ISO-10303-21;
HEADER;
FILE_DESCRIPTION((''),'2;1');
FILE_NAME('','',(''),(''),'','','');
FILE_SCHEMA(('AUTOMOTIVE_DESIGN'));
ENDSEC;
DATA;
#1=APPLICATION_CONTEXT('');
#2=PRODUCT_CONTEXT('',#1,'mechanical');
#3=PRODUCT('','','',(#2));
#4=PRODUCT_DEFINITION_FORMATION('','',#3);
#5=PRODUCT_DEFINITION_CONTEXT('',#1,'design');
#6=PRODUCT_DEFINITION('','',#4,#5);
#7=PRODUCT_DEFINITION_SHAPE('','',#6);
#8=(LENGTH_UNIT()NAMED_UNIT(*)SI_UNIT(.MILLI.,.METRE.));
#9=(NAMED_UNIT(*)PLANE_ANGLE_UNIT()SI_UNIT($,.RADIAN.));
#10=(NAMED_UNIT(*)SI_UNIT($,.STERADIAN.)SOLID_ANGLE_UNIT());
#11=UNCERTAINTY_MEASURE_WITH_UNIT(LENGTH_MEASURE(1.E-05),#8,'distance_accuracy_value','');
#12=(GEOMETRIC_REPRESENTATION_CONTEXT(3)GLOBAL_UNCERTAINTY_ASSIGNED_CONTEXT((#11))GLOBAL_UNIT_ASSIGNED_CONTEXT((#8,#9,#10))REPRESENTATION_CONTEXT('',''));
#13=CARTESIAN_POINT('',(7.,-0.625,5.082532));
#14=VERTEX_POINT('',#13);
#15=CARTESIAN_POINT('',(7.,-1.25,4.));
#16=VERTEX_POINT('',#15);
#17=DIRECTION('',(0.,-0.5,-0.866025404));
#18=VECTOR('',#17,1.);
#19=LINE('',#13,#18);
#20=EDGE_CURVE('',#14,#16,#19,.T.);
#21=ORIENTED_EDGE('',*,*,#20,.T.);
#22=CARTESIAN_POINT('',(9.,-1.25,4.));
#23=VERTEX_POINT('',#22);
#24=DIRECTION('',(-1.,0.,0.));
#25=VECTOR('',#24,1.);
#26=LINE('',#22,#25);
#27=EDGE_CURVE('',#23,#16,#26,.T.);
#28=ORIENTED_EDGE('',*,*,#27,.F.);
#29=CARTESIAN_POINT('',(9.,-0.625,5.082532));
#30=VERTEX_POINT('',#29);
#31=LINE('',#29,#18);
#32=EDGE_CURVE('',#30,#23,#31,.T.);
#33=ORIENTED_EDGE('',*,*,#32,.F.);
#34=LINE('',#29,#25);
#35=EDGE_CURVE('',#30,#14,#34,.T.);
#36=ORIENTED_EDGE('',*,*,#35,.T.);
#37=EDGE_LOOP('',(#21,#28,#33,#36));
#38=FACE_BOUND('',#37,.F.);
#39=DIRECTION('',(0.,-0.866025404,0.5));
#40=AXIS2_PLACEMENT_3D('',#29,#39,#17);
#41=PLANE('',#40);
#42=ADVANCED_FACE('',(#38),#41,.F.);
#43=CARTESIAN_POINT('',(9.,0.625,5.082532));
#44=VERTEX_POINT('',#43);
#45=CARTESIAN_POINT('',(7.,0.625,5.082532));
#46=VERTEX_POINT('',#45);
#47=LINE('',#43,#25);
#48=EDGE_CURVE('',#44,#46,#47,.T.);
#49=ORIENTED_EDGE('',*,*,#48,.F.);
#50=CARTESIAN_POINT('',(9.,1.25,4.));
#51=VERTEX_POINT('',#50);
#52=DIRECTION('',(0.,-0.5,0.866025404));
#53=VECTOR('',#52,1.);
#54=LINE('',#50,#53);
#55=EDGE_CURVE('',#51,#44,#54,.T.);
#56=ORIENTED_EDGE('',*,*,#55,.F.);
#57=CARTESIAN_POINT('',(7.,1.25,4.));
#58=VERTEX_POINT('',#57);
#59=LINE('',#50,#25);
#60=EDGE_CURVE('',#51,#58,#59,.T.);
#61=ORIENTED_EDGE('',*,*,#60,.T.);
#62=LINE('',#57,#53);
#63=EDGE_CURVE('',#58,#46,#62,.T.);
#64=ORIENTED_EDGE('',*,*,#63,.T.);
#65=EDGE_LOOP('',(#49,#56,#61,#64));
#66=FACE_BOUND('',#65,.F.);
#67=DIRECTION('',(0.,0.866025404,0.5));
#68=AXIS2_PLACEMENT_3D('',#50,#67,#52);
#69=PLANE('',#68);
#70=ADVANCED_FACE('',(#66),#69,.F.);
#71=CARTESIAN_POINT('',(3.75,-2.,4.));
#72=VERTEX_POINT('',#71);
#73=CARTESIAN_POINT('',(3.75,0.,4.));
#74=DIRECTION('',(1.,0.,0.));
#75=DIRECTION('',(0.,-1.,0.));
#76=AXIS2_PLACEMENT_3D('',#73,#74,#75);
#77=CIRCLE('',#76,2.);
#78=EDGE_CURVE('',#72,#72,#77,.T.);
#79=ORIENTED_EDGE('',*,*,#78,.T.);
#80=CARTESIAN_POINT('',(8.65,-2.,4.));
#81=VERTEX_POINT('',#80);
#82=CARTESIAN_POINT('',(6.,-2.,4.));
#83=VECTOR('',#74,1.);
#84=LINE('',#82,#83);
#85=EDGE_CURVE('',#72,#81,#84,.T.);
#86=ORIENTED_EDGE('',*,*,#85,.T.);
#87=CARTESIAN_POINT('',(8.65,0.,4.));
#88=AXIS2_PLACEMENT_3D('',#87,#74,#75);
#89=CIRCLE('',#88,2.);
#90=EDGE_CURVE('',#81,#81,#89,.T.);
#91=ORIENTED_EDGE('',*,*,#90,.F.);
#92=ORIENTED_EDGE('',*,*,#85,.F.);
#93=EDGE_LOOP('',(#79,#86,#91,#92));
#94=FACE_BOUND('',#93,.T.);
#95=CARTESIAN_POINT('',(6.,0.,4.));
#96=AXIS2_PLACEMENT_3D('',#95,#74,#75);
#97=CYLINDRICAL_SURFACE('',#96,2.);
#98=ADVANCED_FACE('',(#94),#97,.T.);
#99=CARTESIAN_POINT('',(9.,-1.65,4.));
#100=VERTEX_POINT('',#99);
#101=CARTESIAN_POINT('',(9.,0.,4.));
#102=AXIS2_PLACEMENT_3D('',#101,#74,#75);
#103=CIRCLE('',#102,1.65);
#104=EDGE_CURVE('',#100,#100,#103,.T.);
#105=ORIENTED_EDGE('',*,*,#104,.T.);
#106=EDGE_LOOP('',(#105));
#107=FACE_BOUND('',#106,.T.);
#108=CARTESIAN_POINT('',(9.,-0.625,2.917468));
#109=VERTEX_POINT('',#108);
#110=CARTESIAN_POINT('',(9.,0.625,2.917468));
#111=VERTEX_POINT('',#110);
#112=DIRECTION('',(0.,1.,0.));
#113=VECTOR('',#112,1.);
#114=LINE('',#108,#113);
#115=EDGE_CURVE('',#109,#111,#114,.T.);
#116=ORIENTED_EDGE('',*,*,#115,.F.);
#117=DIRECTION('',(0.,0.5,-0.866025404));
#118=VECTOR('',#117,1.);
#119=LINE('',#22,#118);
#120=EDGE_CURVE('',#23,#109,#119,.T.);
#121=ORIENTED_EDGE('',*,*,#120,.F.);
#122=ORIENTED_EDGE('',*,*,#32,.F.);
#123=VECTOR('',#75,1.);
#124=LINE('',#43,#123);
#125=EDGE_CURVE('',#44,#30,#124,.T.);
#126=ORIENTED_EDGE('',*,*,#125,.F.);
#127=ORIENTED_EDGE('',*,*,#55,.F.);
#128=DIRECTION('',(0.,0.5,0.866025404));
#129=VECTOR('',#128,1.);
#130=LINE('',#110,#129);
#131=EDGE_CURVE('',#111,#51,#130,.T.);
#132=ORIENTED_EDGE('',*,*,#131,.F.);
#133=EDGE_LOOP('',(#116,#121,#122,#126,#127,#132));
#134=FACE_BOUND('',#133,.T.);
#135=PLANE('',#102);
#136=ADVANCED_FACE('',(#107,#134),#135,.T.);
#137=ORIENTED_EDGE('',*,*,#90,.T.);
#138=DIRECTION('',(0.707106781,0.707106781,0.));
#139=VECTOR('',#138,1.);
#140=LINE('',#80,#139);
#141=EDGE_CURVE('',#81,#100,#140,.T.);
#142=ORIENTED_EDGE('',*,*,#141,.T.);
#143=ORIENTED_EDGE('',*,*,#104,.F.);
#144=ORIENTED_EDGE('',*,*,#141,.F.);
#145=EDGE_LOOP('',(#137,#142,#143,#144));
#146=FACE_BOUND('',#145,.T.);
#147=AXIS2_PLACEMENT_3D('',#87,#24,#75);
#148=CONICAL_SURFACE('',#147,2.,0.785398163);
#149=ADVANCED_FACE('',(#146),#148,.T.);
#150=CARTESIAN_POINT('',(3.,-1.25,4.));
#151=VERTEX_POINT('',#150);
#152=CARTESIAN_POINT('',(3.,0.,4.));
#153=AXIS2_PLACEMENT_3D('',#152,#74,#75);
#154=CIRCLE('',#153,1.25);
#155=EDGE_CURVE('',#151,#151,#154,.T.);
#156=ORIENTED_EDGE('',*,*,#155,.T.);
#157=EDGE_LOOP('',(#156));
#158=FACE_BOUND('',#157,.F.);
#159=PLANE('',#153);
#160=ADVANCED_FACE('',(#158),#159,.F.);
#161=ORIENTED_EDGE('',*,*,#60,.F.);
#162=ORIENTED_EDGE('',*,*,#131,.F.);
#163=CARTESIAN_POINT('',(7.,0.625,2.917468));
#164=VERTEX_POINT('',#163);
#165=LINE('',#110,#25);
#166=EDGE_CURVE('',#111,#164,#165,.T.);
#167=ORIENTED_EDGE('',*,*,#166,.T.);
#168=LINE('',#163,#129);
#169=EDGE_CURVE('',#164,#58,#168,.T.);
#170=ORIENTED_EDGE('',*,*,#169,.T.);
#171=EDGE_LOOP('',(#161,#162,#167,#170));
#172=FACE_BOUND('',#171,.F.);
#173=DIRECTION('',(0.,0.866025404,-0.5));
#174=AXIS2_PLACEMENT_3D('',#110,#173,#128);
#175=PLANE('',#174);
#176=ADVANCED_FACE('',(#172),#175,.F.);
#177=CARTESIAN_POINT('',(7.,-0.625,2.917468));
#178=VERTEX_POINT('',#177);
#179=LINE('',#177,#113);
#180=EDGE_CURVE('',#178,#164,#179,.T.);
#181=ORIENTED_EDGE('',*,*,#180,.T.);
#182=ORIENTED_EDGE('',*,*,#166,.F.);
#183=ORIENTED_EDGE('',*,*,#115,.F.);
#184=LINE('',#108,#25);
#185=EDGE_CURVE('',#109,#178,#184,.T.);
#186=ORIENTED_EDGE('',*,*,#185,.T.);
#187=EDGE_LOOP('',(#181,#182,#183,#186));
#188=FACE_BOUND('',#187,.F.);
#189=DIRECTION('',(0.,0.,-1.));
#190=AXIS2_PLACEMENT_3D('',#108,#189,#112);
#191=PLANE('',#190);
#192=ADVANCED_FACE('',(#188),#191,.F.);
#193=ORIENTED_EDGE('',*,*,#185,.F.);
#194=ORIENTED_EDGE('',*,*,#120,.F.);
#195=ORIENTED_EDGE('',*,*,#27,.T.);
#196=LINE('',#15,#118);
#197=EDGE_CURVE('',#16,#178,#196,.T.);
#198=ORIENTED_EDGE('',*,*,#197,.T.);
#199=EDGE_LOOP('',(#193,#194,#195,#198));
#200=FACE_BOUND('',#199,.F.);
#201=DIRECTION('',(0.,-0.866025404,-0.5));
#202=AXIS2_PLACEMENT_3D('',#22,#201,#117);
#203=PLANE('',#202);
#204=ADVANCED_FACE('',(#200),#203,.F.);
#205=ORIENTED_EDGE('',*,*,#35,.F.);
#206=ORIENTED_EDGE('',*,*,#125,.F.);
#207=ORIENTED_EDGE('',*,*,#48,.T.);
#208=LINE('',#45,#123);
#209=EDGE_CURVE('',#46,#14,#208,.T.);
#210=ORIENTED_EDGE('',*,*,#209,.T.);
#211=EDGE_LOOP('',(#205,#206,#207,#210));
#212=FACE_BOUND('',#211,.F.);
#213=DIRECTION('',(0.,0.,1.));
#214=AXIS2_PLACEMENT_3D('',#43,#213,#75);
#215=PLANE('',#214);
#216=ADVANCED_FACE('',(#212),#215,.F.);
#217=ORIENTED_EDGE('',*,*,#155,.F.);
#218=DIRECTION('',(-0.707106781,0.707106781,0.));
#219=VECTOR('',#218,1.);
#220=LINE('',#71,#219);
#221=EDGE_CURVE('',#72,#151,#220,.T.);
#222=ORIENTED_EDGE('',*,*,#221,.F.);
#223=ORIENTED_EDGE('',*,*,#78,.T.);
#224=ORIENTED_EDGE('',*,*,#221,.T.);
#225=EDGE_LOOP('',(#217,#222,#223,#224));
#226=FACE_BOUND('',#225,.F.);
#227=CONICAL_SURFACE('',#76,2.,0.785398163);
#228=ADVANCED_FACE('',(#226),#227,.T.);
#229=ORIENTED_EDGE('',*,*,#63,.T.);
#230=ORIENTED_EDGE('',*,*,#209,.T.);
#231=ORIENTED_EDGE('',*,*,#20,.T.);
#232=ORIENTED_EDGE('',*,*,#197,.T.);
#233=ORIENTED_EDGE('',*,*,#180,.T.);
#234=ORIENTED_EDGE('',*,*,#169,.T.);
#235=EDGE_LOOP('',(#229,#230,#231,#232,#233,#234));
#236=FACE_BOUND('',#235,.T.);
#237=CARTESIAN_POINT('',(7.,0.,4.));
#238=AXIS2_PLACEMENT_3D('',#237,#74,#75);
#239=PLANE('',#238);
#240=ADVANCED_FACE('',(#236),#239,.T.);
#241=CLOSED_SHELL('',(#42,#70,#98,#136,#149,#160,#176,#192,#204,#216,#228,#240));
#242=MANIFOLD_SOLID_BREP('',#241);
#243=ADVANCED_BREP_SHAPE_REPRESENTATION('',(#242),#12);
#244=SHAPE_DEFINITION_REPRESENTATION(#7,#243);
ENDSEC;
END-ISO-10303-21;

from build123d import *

# Parameters (mm, degrees)
SKETCH119_W             = 2
SKETCH119_H             = 6
POCKET017_DEPTH         = 2
CHAMFER006_SIZE         = 0.35
CHAMFER007_SIZE         = 0.75
BODY020_PLACEMENT_ANGLE = 90
BODY019_PLACEMENT_ANGLE = 90


with BuildPart() as part:
    # Sketch119 → Revolution002 (revolve)
    with BuildSketch(Plane.XZ):
        with Locations((-1, 3)):
            Rectangle(SKETCH119_W, SKETCH119_H)
    revolve(axis=Axis((0, 0, 0), (0, 0, 1)))

    # Sketch124 (on Face3 of Revolution002) → Pocket017 (cut)
    with BuildSketch(Plane(origin=(0, 0, 6), x_dir=(-1, 0, 0), z_dir=(0, 0, 1))):
        Polygon((-0.625, -1.0825317547), (0.625, -1.0825317547), (1.25, 0), (0.625, 1.0825317547), (-0.625, 1.0825317547), (-1.25, 0), align=None)
    extrude(amount=-POCKET017_DEPTH, mode=Mode.SUBTRACT)

    # Chamfer006
    chamfer006_edges = [part.edges().sort_by_distance(p)[0] for p in [
        (2, 0, 6),
    ]]
    chamfer(chamfer006_edges, length=CHAMFER006_SIZE)

    # Chamfer007
    chamfer007_edges = [part.edges().sort_by_distance(p)[0] for p in [
        (2, 0, 0),
    ]]
    chamfer(chamfer007_edges, length=CHAMFER007_SIZE)


with BuildPart() as part_1:
    # Body020 placement: moved
    add(part.part.moved(Location((0, -3, 4))).rotate(Axis((0, -3, 4), (1, 0, 0)), BODY020_PLACEMENT_ANGLE))


with BuildPart() as part_2:
    # Clone002 placement: moved
    add(part_1.part.moved(Location((0, -1, 0))))


with BuildPart() as part_3:
    # Body019 placement: moved
    add(part_2.part.moved(Location((-1, 0, 0))).rotate(Axis((-1, 0, 0), (0, 0, 1)), BODY019_PLACEMENT_ANGLE))


solid = part_3.part
